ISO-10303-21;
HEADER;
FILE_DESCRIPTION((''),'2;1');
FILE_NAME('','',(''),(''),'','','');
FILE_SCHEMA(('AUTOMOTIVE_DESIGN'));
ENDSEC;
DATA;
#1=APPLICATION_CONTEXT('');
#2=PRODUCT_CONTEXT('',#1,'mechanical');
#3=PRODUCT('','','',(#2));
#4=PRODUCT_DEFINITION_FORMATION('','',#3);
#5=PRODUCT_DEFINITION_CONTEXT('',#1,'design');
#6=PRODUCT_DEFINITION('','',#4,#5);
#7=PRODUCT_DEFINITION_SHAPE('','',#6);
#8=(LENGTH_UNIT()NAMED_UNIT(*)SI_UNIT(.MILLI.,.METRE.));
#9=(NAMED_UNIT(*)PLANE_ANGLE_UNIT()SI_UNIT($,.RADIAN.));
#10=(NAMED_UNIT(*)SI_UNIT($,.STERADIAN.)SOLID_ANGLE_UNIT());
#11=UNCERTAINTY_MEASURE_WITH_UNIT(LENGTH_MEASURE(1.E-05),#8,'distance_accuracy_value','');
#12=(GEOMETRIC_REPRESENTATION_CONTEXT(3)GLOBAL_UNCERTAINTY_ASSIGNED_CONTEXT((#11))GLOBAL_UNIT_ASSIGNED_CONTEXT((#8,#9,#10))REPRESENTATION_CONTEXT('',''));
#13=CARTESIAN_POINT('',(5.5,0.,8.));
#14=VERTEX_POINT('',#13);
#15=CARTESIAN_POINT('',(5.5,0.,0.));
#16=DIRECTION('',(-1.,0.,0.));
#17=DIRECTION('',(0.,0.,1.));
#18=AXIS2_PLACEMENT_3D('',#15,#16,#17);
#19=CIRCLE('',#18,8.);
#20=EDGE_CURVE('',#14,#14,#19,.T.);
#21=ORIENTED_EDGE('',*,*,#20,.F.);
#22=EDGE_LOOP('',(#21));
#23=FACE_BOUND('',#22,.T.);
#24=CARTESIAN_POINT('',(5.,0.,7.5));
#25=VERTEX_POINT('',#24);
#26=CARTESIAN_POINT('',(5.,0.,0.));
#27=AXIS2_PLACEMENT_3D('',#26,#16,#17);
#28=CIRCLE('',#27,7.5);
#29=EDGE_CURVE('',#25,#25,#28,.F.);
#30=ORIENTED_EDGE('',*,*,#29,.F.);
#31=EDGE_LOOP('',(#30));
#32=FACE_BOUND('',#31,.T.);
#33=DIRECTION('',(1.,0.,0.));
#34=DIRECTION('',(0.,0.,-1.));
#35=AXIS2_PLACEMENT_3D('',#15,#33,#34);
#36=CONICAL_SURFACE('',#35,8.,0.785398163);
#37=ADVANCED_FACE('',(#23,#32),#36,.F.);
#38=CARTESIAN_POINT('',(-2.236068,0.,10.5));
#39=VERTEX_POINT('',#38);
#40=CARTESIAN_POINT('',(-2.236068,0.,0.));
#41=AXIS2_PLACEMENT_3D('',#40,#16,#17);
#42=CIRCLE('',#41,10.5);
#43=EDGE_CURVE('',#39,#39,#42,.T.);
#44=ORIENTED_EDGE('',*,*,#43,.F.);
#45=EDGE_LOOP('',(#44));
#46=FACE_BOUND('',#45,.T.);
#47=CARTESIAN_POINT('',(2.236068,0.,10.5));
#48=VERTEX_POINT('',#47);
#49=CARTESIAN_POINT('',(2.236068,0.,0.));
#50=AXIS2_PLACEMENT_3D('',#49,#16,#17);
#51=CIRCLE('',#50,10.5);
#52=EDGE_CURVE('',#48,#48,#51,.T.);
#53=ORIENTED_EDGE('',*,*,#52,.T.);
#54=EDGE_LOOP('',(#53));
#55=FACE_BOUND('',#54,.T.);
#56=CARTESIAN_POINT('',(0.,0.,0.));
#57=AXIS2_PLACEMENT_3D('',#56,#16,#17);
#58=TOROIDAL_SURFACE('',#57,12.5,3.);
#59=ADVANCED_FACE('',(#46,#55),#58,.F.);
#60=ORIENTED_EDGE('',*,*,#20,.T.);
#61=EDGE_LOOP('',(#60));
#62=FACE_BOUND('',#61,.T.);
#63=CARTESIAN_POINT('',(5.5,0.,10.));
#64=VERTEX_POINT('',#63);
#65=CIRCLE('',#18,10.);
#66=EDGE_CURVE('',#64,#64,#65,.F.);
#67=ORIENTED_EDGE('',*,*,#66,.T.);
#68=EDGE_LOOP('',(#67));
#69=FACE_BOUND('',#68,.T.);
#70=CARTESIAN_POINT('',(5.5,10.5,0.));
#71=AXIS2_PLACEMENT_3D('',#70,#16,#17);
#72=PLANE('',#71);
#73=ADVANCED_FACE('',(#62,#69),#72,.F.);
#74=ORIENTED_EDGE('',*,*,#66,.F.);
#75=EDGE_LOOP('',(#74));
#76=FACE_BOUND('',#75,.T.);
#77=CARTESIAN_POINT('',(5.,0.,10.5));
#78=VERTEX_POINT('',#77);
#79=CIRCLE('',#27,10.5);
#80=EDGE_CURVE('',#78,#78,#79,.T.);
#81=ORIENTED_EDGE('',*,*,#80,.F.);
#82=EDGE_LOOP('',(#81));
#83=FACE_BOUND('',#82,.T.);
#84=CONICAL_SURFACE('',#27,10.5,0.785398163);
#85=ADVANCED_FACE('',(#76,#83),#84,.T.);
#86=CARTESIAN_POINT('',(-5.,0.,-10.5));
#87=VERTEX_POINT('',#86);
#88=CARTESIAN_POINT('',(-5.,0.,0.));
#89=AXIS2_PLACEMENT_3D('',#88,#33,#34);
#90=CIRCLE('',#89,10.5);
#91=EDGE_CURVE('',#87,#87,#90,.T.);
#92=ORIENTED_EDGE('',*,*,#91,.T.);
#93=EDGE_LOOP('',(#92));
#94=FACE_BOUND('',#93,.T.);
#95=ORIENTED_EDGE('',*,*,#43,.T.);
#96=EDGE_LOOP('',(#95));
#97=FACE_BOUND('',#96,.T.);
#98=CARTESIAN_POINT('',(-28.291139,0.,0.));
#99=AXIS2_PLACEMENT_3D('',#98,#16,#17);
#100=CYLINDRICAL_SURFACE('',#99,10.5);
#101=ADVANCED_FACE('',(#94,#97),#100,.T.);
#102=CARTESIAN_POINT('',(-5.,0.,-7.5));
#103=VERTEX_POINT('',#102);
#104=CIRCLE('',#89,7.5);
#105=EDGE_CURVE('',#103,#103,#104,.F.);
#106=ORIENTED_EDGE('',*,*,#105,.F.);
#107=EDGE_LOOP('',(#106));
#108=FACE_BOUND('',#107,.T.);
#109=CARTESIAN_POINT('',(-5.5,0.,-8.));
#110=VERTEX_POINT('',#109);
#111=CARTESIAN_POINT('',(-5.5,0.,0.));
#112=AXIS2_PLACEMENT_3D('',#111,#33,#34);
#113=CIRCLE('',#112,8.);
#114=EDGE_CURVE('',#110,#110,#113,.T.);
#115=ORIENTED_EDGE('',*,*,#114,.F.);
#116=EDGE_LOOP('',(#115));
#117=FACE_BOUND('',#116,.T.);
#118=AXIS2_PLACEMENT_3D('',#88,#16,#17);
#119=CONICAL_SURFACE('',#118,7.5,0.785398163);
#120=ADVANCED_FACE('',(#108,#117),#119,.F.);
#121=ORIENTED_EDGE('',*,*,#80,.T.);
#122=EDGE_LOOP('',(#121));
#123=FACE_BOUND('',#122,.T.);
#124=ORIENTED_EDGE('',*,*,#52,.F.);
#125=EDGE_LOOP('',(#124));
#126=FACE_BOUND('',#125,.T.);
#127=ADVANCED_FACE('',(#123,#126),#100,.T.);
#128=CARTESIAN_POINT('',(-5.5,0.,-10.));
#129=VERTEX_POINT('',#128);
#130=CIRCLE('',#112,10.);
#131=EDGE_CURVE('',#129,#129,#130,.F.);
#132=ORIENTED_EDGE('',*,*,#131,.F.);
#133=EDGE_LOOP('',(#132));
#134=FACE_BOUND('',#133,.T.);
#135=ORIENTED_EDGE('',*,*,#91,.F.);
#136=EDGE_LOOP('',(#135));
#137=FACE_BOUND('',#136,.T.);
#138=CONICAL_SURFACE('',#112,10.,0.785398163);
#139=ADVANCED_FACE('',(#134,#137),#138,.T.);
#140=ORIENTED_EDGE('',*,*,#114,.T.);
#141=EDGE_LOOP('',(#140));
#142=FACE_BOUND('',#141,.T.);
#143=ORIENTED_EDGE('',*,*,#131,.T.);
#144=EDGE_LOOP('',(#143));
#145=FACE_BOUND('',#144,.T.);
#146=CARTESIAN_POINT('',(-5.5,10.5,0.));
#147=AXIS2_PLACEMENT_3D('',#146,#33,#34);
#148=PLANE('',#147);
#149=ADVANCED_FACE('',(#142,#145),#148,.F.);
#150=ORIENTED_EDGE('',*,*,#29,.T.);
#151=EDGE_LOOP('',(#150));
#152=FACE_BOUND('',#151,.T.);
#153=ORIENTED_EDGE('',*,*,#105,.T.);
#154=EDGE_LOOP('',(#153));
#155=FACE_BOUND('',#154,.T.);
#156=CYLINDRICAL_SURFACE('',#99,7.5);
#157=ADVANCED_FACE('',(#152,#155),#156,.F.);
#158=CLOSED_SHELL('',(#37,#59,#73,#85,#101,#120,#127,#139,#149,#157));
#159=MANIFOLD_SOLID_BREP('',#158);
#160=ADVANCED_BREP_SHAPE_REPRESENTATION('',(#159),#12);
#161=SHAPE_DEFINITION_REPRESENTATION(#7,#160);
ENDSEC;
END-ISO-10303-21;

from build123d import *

# Parameters (mm, degrees)
CHAMFER1_SIZE = 0.5


with BuildPart() as part:
    # Sketch1 → Revolve1 (revolve)
    with BuildSketch(Plane.XY, mode=Mode.PRIVATE) as revolve1_sk:
        with BuildLine():
            Line((5.5, 10.5), (2.236067977, 10.5))
            ThreePointArc((2.236067977, 10.5), (0, 9.5), (-2.236067977, 10.5))
            Line((-2.236067977, 10.5), (-5.5, 10.5))
            Line((-5.5, 10.5), (-5.5, 7.5))
            Line((-5.5, 7.5), (5.5, 7.5))
            Line((5.5, 7.5), (5.5, 10.5))
        make_face()
    revolve(revolve1_sk.sketch.rotate(Axis((-28.291139241, 0, 0), (1, 0, 0)), 90), axis=Axis((-28.291139241, 0, 0), (1, 0, 0)))

    # Chamfer1
    chamfer1_edges = [part.edges().sort_by_distance(p)[0] for p in [
        (-5.5, 0, -10.5),
        (5.5, 0, -10.5),
        (5.5, 0, -7.5),
        (-5.5, 0, -7.5),
    ]]
    chamfer(chamfer1_edges, length=CHAMFER1_SIZE)


solid = part.part
